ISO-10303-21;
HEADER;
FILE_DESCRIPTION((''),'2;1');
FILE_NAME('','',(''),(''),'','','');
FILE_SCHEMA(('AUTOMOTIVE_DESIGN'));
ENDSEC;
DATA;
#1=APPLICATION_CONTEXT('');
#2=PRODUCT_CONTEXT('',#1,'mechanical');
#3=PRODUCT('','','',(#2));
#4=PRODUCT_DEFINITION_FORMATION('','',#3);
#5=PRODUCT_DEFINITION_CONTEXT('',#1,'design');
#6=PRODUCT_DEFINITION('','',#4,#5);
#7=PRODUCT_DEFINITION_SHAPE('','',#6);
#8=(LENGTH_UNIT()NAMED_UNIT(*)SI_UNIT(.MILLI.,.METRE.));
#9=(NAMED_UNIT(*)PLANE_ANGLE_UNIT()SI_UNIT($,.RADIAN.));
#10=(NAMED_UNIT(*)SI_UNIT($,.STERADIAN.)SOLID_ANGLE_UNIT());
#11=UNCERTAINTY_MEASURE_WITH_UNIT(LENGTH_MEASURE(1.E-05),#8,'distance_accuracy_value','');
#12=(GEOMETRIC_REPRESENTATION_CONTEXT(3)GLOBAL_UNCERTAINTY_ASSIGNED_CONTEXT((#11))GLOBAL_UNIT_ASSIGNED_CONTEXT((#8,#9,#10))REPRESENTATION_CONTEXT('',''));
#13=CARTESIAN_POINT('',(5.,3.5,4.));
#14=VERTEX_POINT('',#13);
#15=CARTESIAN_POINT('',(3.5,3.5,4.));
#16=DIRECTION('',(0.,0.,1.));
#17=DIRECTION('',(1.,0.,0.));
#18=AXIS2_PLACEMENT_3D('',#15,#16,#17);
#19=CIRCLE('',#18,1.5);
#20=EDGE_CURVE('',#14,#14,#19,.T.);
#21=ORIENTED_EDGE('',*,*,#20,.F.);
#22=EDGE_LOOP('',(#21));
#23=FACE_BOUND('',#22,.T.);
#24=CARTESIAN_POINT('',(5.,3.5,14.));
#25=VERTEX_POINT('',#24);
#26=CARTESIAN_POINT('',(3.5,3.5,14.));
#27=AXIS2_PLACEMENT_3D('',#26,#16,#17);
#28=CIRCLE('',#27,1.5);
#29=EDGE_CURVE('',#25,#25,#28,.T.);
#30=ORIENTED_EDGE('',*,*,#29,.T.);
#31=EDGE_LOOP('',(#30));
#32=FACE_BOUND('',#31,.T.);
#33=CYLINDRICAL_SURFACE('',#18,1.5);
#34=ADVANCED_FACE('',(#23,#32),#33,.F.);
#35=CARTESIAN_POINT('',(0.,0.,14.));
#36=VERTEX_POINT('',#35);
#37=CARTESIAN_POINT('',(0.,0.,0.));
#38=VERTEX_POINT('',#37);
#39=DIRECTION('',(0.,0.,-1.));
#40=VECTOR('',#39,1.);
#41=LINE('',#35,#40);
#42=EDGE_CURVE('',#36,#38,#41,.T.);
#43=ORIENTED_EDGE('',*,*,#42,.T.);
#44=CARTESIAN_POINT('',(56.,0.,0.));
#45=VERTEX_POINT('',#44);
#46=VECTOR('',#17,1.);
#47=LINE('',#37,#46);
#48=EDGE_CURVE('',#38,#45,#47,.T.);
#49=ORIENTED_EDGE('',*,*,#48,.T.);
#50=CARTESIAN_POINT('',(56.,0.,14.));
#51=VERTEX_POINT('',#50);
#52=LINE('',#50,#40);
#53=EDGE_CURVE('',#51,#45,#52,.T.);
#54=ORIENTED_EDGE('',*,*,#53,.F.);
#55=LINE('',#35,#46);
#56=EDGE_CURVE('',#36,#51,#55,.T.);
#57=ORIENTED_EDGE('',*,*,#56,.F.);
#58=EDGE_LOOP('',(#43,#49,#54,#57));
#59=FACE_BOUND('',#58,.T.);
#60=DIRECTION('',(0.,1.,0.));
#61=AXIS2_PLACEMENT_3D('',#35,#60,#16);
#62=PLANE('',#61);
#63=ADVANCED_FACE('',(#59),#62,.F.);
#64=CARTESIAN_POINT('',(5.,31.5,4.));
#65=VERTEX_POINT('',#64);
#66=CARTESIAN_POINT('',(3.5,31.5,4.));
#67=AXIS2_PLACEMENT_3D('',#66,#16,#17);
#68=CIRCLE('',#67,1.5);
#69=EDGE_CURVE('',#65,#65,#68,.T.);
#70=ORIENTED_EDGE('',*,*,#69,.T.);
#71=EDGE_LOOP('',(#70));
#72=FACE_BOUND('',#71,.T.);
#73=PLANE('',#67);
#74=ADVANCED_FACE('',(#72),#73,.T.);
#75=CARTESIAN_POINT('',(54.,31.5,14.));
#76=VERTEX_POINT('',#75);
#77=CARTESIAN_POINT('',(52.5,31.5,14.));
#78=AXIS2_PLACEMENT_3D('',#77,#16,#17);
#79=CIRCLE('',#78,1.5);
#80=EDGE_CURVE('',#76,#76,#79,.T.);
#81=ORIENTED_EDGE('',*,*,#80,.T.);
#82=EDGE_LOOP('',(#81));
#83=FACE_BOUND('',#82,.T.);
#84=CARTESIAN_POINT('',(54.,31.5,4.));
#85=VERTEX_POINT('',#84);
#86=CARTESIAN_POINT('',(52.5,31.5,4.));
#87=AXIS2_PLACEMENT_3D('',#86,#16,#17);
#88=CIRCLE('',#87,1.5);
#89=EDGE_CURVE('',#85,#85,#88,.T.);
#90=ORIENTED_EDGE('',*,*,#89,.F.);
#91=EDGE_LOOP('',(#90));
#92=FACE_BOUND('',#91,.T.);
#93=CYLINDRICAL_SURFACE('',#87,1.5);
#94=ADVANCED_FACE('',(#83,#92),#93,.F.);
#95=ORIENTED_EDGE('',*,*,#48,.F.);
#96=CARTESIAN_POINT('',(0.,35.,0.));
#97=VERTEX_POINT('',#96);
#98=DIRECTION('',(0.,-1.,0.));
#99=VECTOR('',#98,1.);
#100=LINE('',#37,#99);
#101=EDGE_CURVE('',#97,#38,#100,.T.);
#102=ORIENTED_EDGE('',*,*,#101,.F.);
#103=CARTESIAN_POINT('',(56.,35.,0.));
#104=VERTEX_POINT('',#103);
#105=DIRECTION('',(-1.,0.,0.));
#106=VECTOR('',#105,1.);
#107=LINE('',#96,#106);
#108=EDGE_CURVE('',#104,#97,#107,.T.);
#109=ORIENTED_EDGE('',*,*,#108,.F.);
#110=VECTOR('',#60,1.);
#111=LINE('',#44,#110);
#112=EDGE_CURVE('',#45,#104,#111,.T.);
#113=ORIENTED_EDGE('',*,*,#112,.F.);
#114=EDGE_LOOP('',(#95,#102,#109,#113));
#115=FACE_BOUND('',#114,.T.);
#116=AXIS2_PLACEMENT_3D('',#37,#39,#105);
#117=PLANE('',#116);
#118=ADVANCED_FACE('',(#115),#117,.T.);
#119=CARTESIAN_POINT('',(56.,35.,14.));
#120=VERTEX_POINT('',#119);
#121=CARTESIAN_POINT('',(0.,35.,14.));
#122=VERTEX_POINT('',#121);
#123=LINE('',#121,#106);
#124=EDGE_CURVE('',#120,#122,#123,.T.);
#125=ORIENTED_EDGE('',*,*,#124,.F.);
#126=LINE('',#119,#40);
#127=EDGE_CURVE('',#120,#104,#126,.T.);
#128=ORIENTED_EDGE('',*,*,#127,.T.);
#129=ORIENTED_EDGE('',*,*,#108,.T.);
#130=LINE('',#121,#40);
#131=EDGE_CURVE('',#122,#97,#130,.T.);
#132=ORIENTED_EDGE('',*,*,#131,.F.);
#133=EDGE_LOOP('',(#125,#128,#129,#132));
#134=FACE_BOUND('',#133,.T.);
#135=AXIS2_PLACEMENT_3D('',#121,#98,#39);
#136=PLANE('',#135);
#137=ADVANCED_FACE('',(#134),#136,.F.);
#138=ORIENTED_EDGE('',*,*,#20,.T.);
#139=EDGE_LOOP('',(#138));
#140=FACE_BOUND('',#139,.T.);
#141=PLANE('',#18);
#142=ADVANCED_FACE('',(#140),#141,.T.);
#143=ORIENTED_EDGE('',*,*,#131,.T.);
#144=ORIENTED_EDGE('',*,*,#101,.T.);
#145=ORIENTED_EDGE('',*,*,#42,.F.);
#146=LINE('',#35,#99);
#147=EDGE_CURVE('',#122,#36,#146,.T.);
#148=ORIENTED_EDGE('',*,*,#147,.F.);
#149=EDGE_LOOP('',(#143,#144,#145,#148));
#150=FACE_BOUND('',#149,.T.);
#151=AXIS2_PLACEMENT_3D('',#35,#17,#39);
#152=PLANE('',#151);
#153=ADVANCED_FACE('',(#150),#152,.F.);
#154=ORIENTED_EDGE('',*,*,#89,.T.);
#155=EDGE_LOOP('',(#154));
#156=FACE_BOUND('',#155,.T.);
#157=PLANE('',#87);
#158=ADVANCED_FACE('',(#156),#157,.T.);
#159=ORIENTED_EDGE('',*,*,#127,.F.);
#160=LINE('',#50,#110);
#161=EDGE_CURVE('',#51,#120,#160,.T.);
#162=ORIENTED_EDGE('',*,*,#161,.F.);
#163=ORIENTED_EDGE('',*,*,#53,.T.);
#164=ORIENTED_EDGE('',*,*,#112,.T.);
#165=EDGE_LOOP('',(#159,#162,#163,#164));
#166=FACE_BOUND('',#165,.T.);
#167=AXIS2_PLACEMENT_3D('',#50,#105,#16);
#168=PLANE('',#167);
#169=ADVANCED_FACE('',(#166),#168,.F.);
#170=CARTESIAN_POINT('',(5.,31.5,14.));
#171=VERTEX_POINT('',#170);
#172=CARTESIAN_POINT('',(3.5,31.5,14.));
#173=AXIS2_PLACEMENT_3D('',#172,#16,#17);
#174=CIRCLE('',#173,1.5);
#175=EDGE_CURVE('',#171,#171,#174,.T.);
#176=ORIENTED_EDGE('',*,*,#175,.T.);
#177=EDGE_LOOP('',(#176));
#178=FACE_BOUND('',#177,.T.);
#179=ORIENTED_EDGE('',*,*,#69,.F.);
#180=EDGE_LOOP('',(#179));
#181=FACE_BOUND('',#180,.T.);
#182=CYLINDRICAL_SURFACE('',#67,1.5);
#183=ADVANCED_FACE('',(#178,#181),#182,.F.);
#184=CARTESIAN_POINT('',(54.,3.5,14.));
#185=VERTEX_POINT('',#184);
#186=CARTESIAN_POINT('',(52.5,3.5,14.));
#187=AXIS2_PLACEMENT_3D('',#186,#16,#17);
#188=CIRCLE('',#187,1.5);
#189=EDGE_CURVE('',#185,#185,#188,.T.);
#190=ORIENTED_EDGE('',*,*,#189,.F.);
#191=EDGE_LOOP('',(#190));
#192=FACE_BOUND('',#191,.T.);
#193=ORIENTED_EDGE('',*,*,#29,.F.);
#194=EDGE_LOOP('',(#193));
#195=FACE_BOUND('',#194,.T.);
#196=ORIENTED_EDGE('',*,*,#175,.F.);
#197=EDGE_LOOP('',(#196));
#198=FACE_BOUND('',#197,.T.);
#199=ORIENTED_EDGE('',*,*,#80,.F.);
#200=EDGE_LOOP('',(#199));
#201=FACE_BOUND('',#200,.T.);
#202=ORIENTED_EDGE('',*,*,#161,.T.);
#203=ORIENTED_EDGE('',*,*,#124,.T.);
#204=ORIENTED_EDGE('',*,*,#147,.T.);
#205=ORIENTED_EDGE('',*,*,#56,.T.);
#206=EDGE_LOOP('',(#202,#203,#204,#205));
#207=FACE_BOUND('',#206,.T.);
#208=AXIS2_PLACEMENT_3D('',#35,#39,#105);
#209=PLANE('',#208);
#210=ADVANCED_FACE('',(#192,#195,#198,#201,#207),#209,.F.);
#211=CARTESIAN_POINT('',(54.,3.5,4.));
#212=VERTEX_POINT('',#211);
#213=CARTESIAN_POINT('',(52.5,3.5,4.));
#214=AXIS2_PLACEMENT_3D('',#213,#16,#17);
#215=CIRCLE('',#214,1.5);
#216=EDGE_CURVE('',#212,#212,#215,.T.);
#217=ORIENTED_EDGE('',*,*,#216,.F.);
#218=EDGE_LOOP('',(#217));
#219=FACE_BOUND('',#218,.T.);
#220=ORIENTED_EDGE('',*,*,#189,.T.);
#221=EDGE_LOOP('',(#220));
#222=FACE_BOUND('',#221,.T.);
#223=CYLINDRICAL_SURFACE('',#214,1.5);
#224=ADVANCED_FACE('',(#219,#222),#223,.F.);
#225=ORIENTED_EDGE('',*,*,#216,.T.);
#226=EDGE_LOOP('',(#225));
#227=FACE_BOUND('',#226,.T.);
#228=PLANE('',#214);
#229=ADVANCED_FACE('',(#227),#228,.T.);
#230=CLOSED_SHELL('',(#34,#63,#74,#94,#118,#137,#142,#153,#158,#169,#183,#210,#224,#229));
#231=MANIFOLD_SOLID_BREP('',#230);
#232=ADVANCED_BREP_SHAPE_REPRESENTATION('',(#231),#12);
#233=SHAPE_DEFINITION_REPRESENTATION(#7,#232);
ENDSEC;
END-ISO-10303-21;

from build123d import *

# Parameters (mm, degrees)
SKETCH1_W           = 56
SKETCH1_H           = 35
BOSS_EXTRUDE1_DEPTH = 14
SKETCH2_R           = 1.5
CUT_EXTRUDE1_DEPTH  = 10


with BuildPart() as part:
    # Sketch1 → Boss-Extrude1 (new body)
    with BuildSketch(Plane.XY):
        with Locations((28, 17.5)):
            Rectangle(SKETCH1_W, SKETCH1_H)
    extrude(amount=BOSS_EXTRUDE1_DEPTH)

    # Sketch2 → Cut-Extrude1 (cut)
    with BuildSketch(Plane.XY.offset(14)):
        with Locations((3.5, 31.5)):
            Circle(SKETCH2_R)
        with Locations((3.5, 3.5)):
            Circle(SKETCH2_R)
        with Locations((52.5, 31.5)):
            Circle(SKETCH2_R)
        with Locations((52.5, 3.5)):
            Circle(SKETCH2_R)
    extrude(amount=-CUT_EXTRUDE1_DEPTH, mode=Mode.SUBTRACT)


solid = part.part
